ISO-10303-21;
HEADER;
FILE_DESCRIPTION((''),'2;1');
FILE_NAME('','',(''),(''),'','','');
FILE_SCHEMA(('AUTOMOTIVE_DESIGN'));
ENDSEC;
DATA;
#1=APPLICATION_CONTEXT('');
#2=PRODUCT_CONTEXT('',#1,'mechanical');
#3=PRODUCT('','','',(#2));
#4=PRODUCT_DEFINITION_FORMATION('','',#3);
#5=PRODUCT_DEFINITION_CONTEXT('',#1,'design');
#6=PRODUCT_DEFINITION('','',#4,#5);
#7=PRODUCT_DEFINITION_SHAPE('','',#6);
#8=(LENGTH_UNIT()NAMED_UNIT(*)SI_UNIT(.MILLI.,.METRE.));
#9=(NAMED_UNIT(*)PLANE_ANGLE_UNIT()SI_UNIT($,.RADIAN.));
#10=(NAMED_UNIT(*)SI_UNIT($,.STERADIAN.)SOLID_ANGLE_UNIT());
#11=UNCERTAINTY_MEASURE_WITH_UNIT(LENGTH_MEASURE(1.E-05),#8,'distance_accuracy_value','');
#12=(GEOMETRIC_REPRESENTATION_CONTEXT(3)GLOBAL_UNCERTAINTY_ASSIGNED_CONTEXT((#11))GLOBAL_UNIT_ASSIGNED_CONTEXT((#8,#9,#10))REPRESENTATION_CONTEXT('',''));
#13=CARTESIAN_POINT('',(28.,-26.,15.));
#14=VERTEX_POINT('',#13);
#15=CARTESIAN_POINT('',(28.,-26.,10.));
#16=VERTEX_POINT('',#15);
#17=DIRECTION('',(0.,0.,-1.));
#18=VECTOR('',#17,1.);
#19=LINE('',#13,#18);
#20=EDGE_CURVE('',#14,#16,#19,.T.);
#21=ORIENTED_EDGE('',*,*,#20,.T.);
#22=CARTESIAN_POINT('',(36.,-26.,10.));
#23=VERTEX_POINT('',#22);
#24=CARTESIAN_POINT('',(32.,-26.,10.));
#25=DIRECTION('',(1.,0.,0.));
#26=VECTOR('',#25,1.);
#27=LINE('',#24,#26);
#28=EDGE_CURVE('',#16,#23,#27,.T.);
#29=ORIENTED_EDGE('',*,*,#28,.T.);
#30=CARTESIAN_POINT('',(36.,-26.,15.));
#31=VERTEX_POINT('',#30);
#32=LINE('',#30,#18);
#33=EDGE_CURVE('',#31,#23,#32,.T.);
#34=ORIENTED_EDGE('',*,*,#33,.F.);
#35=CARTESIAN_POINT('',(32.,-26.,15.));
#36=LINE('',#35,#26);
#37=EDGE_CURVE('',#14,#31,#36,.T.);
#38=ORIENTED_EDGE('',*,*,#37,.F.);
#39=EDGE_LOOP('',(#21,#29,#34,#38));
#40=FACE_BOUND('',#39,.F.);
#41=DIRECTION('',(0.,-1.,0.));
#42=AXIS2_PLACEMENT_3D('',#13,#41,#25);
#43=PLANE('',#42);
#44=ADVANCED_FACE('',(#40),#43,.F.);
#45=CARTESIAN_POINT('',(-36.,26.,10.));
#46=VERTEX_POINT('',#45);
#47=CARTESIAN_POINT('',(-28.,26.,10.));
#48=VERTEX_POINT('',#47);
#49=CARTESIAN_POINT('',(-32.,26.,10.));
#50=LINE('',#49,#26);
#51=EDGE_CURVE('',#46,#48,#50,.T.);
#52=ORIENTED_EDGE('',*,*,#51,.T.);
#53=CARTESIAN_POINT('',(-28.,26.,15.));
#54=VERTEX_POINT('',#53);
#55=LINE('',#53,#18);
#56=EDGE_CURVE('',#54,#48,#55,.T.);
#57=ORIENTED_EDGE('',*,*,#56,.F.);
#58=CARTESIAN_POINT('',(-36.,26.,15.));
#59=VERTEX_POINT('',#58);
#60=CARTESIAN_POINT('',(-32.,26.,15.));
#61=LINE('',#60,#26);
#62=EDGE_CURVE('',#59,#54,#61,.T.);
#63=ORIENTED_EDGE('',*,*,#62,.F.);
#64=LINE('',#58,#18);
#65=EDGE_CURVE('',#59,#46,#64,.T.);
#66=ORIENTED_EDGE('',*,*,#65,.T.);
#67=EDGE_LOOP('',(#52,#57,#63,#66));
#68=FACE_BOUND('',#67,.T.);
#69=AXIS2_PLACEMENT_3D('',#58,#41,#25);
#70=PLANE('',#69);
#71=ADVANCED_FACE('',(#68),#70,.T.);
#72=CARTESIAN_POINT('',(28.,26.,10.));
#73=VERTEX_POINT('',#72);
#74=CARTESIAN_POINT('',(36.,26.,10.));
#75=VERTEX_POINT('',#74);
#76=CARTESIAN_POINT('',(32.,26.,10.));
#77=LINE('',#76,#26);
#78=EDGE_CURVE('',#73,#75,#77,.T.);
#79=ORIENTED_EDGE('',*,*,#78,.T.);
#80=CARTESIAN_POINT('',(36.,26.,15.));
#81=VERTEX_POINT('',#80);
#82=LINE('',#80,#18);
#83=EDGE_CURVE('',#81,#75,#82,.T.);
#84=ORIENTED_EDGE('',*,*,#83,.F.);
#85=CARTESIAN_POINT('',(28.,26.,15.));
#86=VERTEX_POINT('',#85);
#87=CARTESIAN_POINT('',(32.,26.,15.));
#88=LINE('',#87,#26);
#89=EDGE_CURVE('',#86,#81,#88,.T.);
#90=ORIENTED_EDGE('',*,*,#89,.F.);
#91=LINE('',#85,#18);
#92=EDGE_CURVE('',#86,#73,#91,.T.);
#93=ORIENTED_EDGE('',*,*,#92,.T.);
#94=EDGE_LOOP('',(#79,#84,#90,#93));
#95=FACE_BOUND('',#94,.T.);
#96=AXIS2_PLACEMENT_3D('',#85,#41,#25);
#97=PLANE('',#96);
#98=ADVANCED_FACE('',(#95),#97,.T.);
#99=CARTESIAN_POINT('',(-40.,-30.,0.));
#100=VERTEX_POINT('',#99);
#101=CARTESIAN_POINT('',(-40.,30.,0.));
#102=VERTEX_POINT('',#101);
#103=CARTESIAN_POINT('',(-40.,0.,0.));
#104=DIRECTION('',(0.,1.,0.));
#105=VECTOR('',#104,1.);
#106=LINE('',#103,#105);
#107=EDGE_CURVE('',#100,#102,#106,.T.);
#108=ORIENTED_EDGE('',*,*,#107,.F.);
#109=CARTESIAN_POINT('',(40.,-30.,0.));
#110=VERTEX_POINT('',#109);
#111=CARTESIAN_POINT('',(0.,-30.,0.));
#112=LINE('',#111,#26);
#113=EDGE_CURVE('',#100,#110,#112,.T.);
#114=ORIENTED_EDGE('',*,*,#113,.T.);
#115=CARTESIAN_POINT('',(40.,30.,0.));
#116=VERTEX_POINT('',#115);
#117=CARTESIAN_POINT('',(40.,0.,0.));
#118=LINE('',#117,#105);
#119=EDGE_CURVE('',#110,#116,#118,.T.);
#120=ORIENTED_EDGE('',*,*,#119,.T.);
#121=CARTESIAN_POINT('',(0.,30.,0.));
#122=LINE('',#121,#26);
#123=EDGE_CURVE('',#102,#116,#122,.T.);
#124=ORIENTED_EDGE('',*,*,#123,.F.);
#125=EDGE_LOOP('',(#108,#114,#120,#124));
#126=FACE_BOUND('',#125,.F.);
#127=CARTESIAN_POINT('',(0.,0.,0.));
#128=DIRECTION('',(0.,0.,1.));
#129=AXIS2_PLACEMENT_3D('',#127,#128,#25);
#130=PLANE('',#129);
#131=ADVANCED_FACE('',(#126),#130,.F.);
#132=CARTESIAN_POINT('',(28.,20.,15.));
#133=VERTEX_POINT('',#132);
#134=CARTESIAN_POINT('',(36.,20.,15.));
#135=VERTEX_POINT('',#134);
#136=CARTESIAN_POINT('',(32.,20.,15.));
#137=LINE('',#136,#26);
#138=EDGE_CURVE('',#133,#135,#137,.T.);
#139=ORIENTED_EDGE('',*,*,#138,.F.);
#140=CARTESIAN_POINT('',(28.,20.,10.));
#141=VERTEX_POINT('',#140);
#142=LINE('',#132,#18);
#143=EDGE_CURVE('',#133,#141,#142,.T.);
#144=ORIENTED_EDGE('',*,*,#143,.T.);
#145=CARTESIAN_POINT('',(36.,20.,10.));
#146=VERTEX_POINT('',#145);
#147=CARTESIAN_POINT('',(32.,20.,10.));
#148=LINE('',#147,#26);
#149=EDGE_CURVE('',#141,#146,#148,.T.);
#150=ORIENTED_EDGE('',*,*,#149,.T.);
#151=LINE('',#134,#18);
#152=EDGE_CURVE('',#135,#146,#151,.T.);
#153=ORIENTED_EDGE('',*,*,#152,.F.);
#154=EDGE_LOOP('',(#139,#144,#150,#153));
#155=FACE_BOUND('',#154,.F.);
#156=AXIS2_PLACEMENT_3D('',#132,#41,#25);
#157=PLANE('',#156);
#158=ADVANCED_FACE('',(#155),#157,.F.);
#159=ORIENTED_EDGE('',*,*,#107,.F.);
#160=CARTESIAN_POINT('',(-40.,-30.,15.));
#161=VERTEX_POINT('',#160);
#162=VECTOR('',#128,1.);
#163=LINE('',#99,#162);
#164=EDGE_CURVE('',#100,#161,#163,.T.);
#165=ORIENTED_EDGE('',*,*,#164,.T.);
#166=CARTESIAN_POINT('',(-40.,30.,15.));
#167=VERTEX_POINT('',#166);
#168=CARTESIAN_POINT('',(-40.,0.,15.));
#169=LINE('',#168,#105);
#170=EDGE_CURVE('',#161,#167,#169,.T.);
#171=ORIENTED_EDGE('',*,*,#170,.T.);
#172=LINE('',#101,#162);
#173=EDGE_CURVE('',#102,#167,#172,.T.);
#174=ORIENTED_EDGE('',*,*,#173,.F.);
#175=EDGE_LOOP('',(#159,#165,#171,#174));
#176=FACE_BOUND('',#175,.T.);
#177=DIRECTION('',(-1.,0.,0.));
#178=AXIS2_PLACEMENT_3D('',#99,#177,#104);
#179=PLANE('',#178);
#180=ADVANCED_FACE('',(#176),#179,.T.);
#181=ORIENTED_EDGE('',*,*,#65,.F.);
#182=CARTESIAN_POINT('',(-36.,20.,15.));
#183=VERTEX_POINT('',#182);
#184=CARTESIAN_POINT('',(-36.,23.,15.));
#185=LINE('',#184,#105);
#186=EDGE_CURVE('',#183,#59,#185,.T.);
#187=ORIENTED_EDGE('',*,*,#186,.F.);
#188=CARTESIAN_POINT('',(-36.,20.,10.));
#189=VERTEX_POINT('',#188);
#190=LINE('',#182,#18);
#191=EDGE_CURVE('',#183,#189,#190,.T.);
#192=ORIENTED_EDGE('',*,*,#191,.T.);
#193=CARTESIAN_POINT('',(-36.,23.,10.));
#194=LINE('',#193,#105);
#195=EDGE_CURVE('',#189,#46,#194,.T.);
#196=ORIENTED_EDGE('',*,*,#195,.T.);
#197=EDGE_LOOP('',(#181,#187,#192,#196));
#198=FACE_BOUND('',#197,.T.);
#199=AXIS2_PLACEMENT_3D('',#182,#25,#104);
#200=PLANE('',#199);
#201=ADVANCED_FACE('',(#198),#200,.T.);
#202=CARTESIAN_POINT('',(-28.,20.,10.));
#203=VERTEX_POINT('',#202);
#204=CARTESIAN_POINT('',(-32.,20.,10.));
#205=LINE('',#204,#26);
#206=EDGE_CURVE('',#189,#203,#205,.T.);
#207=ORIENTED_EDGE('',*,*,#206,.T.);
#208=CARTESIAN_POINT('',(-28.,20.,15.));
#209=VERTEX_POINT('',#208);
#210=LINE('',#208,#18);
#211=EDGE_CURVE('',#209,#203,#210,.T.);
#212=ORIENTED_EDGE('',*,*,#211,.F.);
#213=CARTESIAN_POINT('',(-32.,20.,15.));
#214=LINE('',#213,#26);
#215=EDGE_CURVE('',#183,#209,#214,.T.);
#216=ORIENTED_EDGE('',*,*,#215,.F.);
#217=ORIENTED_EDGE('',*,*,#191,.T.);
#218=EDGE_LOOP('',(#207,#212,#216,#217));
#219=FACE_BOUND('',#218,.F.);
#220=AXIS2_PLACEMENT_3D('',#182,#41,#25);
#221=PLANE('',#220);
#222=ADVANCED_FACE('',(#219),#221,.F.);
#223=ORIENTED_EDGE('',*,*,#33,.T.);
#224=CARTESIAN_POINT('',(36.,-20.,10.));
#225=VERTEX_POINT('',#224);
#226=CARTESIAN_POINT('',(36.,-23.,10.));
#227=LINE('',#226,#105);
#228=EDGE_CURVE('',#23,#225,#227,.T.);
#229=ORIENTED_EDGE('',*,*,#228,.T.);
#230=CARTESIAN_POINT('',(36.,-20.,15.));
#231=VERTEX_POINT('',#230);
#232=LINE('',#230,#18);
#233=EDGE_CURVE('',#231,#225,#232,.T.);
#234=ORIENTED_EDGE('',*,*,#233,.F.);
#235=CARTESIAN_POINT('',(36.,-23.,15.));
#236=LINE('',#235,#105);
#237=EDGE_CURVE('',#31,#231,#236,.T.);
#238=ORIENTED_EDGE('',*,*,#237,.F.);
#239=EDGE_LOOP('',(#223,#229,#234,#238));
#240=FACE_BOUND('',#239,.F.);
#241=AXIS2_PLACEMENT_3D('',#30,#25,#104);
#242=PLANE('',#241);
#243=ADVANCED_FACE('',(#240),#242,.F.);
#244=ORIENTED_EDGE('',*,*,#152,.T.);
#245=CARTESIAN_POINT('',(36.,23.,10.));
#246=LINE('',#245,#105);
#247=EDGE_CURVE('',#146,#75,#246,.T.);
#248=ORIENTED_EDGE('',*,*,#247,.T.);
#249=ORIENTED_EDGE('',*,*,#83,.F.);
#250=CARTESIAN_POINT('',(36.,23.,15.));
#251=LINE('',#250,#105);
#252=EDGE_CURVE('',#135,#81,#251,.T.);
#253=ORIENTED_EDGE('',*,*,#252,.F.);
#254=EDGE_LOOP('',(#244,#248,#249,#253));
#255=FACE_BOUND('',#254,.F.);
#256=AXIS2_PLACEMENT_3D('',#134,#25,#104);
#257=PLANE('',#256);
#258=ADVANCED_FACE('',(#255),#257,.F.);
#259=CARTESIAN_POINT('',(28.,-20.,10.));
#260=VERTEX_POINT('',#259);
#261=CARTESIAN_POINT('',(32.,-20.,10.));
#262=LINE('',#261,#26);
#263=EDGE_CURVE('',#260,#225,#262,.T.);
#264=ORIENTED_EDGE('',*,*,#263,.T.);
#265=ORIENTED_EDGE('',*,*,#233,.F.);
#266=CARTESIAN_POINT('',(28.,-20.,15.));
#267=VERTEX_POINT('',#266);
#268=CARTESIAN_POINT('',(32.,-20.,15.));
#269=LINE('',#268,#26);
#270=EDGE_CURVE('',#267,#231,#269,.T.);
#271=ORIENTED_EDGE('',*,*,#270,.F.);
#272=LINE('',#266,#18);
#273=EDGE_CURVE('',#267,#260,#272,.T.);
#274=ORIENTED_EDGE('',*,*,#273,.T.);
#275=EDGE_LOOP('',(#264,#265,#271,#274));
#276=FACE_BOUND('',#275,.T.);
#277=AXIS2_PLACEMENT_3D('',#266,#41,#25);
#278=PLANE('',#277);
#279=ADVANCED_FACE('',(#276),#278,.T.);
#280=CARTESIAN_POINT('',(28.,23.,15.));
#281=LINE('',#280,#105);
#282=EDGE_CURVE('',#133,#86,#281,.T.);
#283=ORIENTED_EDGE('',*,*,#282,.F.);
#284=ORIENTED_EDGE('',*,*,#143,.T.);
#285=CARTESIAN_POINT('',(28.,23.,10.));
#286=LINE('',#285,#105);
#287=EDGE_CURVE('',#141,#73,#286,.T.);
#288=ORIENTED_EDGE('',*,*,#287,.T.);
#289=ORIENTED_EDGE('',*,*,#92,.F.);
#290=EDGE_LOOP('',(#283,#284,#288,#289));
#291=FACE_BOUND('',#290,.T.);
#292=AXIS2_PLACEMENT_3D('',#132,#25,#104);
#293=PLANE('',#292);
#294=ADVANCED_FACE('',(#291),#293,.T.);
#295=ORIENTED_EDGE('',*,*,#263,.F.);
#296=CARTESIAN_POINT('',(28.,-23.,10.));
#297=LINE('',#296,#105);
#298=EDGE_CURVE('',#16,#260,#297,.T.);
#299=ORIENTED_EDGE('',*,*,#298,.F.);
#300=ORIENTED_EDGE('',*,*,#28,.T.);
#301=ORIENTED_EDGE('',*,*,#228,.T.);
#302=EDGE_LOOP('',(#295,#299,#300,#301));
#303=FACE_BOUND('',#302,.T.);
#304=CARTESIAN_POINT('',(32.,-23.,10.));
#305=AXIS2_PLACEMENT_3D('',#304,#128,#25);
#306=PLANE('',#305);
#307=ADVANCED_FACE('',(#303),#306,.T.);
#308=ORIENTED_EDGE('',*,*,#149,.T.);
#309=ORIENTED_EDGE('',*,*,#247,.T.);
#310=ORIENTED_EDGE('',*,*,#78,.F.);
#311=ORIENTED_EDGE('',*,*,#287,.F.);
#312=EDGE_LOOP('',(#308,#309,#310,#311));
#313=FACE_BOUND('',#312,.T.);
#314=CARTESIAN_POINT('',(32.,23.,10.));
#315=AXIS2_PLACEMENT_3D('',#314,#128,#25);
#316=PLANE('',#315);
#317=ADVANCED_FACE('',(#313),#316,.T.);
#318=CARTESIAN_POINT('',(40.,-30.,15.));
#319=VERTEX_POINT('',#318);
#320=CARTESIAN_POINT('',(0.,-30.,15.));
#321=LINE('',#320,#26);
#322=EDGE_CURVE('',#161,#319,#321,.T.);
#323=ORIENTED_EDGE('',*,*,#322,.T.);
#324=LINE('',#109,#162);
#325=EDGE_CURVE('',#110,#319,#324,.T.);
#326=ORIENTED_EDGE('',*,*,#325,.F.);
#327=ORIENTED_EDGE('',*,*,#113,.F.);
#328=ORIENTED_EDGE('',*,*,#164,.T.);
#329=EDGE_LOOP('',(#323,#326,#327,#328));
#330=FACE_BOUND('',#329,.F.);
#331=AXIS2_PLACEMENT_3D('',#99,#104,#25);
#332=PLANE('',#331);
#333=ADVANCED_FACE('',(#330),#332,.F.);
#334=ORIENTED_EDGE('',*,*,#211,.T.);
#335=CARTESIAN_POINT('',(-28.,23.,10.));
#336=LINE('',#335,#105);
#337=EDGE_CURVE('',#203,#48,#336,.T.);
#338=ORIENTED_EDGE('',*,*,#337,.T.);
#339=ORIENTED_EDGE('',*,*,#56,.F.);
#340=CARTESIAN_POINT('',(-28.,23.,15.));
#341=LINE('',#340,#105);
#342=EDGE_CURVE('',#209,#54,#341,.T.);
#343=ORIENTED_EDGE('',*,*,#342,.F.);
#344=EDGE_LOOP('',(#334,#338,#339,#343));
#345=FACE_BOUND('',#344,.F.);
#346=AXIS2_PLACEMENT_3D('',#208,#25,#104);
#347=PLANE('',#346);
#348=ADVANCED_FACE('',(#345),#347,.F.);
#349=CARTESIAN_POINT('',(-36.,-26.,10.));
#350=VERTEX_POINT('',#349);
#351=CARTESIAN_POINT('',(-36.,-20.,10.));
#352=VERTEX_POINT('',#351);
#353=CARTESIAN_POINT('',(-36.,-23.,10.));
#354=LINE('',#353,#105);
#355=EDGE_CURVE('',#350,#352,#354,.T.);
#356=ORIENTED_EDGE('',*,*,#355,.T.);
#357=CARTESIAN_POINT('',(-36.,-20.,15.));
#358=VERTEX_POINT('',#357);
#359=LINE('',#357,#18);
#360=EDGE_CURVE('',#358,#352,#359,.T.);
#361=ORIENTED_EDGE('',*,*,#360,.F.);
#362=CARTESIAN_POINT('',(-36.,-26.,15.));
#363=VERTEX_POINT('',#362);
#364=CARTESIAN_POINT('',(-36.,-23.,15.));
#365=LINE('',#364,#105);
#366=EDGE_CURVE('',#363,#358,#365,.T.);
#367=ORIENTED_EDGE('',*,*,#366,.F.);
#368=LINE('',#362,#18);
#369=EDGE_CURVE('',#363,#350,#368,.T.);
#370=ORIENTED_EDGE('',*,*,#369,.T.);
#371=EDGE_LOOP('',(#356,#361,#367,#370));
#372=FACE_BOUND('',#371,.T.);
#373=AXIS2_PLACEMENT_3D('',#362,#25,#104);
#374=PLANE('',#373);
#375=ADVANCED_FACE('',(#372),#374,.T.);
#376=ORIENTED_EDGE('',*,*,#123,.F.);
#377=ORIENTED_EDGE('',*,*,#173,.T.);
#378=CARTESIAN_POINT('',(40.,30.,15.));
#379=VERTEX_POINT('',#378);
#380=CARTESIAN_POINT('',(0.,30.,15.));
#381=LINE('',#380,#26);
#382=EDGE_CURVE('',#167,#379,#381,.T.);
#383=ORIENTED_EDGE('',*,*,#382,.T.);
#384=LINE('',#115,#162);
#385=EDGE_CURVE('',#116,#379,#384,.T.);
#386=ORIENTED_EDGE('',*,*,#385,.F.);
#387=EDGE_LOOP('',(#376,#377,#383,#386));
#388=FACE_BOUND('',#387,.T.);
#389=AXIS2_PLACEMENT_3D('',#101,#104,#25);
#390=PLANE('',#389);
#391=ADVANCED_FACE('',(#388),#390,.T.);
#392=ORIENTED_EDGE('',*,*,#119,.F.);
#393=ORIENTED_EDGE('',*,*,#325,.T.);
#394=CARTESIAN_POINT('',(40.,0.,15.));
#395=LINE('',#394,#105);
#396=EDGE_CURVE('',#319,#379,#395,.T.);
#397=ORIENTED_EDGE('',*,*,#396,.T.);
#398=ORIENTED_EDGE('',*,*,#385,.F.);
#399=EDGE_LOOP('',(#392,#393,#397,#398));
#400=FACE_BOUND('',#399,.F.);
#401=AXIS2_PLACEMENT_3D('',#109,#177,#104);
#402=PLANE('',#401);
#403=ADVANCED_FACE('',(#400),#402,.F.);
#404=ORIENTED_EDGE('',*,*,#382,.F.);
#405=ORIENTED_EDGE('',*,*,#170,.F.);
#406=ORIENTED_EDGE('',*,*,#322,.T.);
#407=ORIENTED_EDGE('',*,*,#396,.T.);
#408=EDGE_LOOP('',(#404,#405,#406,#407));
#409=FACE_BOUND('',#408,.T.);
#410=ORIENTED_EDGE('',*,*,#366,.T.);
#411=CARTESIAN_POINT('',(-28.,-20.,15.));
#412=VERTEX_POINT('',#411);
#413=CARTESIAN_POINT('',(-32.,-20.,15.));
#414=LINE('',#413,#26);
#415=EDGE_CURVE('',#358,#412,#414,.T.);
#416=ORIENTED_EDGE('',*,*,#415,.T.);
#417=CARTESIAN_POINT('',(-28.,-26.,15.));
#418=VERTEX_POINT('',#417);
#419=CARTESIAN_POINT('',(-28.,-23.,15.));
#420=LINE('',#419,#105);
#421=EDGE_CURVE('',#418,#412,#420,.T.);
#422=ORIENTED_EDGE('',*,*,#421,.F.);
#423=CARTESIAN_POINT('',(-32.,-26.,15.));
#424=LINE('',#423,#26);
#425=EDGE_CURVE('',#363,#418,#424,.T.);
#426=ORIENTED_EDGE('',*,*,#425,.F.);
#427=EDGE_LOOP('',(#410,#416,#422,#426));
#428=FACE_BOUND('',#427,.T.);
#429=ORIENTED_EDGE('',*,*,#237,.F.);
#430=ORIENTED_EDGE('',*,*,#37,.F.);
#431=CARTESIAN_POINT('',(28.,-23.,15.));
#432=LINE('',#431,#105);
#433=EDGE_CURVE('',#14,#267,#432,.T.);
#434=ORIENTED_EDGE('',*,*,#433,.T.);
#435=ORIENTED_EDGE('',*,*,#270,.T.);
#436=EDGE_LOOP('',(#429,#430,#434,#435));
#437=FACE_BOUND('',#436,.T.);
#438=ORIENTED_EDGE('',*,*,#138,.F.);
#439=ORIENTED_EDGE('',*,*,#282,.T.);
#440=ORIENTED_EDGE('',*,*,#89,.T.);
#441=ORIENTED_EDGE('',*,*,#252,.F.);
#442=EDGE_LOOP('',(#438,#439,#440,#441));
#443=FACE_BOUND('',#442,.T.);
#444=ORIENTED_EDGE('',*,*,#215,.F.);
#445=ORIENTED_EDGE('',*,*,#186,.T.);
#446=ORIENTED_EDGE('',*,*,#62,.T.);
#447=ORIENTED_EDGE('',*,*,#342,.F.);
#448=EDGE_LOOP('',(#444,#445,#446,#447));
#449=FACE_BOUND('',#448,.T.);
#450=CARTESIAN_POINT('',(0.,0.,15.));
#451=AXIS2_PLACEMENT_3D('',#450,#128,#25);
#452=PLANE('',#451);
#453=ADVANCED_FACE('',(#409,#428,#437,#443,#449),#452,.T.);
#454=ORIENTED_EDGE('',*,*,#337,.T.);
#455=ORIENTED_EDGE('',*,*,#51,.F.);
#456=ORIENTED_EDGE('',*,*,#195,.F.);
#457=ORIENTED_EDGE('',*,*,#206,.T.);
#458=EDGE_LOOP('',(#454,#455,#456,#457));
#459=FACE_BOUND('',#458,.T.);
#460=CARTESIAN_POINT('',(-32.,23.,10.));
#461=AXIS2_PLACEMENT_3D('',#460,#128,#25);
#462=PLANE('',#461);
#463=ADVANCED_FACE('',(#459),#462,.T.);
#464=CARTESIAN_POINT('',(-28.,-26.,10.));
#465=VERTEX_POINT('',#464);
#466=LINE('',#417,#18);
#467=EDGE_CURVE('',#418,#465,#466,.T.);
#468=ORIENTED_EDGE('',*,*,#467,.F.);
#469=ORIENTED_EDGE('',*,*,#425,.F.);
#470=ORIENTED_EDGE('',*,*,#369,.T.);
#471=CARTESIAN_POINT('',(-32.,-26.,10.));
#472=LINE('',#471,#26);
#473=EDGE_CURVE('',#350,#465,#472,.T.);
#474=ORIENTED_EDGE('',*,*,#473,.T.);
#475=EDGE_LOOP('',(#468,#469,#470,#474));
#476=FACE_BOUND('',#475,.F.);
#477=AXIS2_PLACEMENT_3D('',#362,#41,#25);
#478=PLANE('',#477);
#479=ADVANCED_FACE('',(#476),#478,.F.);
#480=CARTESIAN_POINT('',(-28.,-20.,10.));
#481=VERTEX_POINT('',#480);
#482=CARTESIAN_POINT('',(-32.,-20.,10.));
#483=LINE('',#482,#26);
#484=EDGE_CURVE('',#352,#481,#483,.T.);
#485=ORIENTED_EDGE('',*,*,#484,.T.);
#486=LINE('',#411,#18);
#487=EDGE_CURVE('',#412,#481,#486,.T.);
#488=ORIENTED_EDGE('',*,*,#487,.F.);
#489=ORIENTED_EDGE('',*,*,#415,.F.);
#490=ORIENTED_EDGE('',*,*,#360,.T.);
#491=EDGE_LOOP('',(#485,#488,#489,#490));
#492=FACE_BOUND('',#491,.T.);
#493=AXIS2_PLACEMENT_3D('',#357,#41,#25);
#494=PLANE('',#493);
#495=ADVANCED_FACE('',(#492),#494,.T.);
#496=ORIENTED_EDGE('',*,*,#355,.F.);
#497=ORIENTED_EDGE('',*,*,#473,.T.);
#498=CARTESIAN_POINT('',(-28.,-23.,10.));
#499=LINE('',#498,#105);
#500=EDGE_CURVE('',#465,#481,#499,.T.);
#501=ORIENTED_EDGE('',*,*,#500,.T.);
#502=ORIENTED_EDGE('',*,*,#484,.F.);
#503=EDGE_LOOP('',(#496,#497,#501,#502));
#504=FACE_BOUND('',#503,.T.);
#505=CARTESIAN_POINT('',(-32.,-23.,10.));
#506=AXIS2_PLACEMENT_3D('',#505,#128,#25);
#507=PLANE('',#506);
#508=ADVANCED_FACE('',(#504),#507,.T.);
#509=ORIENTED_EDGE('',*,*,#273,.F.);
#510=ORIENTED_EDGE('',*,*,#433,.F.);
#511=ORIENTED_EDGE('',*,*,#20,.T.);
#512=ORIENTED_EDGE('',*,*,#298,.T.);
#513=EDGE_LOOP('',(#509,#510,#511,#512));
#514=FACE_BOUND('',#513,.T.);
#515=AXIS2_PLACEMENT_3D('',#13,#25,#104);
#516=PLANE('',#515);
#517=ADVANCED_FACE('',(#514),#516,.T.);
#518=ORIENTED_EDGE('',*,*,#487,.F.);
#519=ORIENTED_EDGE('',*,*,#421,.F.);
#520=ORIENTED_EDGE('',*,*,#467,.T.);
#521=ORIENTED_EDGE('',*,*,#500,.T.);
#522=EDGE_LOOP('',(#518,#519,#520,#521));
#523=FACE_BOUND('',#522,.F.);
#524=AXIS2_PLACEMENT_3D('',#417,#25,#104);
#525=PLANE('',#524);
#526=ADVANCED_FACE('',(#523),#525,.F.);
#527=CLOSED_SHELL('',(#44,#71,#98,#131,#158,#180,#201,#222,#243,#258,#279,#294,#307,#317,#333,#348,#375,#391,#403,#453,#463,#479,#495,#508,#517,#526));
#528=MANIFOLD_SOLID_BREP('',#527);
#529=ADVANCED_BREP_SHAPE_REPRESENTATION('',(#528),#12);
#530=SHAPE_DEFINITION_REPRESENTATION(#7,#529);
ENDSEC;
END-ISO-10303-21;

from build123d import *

# Parameters (mm, degrees)
SKETCH_W     = 80
SKETCH_H     = 60
PAD_DEPTH    = 15
SKETCH001_W  = 8
SKETCH001_H  = 6
POCKET_DEPTH = 5


with BuildPart() as part:
    # Sketch → Pad (new body)
    with BuildSketch(Plane.XY):
        Rectangle(SKETCH_W, SKETCH_H)
    extrude(amount=PAD_DEPTH)

    # Sketch001 → Pocket (cut)
    with BuildSketch(Plane.XY.offset(15)):
        with Locations((-32, 23)):
            Rectangle(SKETCH001_W, SKETCH001_H)
        with Locations((32, 23)):
            Rectangle(SKETCH001_W, SKETCH001_H)
        with Locations((32, -23)):
            Rectangle(SKETCH001_W, SKETCH001_H)
        with Locations((-32, -23)):
            Rectangle(SKETCH001_W, SKETCH001_H)
    extrude(amount=-POCKET_DEPTH, mode=Mode.SUBTRACT)


solid = part.part
